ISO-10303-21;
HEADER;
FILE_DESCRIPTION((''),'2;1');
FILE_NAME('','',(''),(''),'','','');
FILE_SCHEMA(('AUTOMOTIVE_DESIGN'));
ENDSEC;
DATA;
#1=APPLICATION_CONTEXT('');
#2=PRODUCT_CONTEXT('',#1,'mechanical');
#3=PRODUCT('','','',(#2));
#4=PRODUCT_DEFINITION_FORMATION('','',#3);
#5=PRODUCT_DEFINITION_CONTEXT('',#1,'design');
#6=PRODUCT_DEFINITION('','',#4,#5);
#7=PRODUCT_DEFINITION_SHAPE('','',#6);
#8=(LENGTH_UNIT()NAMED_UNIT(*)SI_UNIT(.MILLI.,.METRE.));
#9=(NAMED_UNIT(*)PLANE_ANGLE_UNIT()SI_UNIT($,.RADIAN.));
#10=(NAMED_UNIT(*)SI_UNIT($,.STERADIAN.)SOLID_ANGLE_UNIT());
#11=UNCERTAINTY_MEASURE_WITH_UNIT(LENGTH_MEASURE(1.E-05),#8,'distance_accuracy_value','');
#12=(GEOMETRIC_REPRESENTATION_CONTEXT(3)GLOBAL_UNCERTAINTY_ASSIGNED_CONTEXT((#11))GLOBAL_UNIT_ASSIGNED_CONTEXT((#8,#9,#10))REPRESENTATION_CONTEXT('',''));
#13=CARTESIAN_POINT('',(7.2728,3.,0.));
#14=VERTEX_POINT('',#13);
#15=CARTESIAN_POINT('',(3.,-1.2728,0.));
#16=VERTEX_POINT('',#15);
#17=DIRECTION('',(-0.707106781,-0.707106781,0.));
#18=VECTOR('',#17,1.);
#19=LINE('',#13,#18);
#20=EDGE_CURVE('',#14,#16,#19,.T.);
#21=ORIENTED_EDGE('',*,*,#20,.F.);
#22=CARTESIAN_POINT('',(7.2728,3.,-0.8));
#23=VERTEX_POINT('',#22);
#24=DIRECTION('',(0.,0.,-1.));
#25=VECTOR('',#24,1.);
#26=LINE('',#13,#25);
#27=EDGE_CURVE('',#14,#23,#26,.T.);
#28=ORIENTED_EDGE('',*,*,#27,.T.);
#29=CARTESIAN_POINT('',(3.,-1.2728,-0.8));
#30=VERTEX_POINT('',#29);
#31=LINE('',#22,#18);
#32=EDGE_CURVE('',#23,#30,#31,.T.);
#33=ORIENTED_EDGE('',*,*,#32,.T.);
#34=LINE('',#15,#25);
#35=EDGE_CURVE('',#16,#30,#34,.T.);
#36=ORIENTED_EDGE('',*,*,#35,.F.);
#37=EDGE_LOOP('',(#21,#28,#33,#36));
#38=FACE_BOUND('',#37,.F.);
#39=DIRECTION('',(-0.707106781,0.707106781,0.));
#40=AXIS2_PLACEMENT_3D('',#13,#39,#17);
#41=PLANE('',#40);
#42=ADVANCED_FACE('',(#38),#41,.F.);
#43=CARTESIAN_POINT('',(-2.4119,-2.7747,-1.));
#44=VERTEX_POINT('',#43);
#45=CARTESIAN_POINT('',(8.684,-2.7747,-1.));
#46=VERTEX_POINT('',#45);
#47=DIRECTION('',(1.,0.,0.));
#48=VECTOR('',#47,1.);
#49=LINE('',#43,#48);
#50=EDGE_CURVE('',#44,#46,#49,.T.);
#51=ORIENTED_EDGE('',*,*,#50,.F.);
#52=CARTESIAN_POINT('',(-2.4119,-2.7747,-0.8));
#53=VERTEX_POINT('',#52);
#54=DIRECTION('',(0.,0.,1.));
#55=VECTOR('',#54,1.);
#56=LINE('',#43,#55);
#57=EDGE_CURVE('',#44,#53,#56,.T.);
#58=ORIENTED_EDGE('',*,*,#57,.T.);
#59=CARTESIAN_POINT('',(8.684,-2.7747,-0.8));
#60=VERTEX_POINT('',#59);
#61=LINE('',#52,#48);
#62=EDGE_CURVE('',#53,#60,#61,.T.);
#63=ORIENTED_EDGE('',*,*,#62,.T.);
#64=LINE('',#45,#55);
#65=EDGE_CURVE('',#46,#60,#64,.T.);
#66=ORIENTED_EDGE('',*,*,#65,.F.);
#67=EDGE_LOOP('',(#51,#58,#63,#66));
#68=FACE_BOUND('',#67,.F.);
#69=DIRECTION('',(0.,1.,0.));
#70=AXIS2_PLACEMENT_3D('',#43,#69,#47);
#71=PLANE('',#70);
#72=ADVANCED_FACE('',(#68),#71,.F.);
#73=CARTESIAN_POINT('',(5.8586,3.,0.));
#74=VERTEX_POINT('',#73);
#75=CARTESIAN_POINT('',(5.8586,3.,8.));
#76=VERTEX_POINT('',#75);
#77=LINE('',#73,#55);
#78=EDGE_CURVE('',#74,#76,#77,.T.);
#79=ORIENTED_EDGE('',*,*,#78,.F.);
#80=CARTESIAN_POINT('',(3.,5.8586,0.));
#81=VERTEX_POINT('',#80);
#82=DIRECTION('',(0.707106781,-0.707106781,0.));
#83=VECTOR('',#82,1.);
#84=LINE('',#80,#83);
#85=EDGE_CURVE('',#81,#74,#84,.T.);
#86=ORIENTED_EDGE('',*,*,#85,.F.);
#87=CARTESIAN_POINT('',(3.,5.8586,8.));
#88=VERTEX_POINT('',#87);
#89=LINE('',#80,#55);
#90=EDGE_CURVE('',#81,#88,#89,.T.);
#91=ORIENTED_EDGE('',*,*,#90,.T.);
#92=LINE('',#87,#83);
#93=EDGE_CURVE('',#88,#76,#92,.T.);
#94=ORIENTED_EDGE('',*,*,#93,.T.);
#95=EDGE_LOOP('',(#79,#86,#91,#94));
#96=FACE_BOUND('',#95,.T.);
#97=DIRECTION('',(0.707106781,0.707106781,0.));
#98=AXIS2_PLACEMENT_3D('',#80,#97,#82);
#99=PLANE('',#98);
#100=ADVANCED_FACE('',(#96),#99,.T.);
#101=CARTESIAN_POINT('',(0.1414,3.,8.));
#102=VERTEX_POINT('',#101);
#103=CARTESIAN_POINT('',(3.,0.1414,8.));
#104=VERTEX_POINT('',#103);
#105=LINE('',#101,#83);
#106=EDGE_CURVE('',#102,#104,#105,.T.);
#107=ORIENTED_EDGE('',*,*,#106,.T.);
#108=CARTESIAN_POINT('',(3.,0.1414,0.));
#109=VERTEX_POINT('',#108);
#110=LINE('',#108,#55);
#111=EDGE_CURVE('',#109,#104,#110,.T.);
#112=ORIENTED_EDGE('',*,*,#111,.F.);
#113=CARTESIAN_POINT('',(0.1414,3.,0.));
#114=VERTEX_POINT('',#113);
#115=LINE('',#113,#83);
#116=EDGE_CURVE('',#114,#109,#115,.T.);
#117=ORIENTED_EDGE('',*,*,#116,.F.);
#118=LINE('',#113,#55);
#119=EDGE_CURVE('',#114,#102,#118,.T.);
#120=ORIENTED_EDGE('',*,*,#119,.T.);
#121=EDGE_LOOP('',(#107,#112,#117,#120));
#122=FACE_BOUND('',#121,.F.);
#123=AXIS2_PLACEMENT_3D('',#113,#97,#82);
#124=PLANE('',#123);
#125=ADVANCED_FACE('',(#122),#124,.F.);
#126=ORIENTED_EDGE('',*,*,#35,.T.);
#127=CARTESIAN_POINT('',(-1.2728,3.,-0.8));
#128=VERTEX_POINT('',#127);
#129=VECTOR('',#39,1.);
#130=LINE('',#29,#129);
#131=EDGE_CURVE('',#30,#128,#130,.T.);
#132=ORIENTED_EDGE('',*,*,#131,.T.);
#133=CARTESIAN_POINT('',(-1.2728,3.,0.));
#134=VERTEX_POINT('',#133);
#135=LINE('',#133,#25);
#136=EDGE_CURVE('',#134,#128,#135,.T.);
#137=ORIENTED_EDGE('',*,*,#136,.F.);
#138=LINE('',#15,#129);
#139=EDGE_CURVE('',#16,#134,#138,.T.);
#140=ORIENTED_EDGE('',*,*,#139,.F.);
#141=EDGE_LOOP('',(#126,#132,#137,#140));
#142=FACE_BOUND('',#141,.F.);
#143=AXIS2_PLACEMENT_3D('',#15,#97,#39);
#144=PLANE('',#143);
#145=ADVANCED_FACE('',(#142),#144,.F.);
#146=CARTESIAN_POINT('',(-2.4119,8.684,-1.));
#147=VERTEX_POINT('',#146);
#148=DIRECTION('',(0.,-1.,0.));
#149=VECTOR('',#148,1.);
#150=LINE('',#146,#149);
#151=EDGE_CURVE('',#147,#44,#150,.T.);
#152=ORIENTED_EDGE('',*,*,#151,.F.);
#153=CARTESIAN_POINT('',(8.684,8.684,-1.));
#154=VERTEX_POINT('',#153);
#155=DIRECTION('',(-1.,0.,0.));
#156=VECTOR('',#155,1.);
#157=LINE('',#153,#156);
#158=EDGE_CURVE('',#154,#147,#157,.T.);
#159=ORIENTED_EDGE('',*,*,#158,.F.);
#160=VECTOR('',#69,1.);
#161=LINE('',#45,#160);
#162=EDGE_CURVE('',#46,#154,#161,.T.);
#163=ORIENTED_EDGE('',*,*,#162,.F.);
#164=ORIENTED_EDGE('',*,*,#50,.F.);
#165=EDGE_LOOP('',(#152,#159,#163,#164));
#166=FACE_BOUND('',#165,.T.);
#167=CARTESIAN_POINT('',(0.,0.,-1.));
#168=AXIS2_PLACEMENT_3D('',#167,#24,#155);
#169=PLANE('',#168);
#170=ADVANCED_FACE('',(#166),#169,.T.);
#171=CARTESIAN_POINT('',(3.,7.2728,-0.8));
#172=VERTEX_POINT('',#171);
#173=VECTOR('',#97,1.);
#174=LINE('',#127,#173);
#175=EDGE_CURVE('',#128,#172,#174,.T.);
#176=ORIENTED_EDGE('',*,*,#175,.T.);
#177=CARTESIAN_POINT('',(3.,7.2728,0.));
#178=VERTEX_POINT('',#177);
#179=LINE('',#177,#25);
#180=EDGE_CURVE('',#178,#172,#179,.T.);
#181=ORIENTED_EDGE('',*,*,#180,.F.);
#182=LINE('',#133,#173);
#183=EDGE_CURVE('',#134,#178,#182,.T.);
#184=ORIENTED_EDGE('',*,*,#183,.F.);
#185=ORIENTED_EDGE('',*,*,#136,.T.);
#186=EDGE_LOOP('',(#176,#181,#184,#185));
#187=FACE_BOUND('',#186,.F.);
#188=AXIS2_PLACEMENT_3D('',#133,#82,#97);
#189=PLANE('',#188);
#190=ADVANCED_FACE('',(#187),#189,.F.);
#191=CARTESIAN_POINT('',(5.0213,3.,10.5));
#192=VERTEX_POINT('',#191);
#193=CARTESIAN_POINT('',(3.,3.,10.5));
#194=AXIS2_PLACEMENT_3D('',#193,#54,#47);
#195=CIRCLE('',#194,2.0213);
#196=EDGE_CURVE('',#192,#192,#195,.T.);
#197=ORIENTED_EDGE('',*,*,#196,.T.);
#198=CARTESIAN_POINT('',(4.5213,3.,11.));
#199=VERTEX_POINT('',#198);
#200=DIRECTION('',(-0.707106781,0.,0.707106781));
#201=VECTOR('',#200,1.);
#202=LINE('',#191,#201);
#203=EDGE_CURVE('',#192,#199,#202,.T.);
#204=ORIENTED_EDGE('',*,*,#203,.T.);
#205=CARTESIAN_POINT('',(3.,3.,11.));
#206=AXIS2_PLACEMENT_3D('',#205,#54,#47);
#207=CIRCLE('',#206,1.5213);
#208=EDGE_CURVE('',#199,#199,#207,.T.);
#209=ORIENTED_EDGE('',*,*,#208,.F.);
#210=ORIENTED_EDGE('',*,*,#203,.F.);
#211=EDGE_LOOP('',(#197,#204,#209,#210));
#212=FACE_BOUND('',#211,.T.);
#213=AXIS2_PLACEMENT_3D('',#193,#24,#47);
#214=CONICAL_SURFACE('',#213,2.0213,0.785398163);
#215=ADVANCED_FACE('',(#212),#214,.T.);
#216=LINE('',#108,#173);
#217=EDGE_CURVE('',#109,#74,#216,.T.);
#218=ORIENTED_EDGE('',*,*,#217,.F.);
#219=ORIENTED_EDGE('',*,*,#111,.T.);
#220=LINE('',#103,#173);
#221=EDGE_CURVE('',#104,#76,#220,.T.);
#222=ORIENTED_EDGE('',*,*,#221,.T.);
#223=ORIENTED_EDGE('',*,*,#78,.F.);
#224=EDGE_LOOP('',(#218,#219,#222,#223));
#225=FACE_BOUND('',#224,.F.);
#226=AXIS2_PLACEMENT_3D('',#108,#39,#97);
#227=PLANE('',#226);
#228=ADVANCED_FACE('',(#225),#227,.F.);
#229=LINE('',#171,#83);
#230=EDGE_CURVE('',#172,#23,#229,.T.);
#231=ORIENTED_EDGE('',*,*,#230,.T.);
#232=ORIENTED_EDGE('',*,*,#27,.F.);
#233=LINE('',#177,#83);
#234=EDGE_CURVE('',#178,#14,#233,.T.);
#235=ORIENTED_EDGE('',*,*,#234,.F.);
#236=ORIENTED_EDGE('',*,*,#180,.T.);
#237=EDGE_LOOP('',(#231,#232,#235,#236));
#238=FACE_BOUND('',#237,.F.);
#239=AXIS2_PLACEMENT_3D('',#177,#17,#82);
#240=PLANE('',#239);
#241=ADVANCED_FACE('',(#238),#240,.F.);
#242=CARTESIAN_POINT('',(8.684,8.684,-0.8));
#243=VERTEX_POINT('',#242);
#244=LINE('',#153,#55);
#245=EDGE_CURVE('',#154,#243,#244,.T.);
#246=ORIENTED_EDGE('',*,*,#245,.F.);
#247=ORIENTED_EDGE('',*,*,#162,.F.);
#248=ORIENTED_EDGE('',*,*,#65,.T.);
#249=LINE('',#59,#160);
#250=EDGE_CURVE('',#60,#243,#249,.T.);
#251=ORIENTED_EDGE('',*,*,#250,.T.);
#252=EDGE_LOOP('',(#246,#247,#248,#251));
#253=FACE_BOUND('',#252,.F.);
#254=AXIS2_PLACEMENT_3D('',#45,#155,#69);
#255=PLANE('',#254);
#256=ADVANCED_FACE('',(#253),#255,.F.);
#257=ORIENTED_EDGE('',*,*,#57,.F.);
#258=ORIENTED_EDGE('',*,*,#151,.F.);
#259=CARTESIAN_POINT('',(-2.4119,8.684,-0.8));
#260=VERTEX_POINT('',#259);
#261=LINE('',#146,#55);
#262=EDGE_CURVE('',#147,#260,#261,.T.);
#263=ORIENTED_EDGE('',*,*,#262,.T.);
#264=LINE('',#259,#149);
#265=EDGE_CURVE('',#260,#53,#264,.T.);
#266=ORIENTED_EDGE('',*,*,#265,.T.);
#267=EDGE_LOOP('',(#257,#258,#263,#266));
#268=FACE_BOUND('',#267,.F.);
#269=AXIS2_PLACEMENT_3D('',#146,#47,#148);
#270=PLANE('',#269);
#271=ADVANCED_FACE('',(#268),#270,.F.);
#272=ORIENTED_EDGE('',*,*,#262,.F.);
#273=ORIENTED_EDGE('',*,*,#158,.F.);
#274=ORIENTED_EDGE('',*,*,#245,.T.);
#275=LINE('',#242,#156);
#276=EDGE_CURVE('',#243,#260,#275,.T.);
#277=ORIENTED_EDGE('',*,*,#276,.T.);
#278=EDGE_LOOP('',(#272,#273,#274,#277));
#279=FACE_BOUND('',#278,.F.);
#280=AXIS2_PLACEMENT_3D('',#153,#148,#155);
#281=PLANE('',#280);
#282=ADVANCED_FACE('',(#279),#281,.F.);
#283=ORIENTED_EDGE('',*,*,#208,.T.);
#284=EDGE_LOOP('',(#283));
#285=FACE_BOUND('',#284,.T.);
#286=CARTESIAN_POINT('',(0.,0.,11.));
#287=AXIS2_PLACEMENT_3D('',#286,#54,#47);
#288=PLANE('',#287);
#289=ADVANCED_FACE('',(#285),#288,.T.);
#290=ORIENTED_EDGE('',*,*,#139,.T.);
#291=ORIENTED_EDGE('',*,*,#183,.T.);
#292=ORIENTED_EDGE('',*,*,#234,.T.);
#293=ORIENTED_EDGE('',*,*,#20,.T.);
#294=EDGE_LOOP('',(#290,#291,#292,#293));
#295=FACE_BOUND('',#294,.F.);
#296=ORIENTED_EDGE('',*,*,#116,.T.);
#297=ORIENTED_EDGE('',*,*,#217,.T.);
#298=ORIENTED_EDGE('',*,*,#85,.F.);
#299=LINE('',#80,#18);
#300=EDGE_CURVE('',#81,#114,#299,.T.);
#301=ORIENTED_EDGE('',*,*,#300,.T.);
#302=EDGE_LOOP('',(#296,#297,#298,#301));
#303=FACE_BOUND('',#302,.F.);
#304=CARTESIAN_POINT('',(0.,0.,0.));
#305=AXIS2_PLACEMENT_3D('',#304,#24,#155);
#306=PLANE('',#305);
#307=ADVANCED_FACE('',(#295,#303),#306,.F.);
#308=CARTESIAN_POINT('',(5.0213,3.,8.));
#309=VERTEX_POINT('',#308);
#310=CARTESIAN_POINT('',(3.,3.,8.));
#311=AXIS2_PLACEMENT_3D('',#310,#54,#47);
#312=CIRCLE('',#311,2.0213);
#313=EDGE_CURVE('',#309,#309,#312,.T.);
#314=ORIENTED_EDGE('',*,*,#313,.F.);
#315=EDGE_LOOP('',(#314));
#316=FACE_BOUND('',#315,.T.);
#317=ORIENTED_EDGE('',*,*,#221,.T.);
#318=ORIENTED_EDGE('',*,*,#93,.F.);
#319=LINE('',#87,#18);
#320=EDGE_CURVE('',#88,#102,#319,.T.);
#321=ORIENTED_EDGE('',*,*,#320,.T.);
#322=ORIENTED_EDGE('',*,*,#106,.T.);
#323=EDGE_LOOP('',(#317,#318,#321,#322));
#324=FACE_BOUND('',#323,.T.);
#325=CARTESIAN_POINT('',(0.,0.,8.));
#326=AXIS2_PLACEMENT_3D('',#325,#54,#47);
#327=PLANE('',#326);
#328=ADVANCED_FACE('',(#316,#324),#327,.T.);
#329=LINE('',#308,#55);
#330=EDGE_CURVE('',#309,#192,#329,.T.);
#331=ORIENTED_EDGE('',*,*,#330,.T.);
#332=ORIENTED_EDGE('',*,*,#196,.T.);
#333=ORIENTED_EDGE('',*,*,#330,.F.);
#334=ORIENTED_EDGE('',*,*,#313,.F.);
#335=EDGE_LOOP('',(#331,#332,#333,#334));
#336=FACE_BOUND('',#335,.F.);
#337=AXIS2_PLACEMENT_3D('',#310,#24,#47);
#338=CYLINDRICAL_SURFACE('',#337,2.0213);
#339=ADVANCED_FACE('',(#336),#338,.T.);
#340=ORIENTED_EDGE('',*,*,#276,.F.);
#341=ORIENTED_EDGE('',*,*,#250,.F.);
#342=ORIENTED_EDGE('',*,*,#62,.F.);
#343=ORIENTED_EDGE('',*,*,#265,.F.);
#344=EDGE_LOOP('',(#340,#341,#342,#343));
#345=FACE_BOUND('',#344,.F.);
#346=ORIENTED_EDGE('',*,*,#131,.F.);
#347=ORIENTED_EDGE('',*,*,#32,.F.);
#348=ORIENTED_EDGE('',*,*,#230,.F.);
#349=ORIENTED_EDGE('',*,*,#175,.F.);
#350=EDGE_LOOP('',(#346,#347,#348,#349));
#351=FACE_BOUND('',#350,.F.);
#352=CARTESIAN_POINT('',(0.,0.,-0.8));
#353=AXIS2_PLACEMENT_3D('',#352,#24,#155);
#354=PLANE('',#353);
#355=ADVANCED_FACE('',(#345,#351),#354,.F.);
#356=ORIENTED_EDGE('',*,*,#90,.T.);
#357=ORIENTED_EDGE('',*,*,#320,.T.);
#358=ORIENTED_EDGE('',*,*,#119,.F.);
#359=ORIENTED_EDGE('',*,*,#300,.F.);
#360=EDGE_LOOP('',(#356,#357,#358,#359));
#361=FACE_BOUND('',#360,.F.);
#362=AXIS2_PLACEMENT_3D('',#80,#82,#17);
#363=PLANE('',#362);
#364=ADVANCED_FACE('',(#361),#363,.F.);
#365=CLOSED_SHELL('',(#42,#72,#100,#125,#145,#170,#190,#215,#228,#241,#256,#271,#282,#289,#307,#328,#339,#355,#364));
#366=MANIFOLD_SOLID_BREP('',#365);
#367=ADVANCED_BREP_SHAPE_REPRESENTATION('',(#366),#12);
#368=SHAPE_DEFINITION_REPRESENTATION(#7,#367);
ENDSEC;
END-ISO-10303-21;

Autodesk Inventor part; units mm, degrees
ref_plane "YZ Plane" through (0, 0, 0) normal (1, 0, 0) x (0, 1, 0)
ref_plane "XZ Plane" through (0, 0, 0) normal (0, 1, 0) x (-1, 0, 0)
ref_plane "XY Plane" through (0, 0, 0) normal (0, 0, 1) x (1, 0, 0)
sketch "Sketch3" plane through (0, 0, 0) normal (0, 0, 1) x (1, 0, 0)
  line L0 (0, 0) -> (6, 0) construction
  line L1 (6, 0) -> (6, 6) construction
  line L2 (6, 6) -> (0, 6) construction
  line L3 (0, 6) -> (0, 0) construction
  line L4 (0, 0) -> (6, 6) construction
  line L5 (0, 6) -> (6, 0) construction
  line L6 (3, 6) -> (3, 0) construction
  line L7 (6, 3) -> (0, 3) construction
  line L8 (3, 6) -> (6, 3) construction
  line L9 (6, 3) -> (3, 0) construction
  line L10 (3, 0) -> (0, 3) construction
  line L11 (0, 3) -> (3, 6) construction
  line L12 (3, 5.8586) -> (0.1414, 3)
  line L13 (0.1414, 3) -> (3, 0.1414)
  line L14 (3, 0.1414) -> (5.8586, 3)
  line L15 (3, 5.8586) -> (5.8586, 3)
  dimension "d9" = 6
  dimension "d10" = 6
  dimension "d11" = 0.1
  dimension "d12" = 0.1
extrude "Extrusion3" add sketch "Sketch3" along normal blind 8
sketch "Sketch4" plane through (0, 0, 8) normal (0, 0, 1) x (1, 0, 0)
  line L0 (0.1414, 3) -> (5.8586, 3) construction
  line L1 (3, 0.1414) -> (3, 5.8586) construction
  circle A0 centre (3, 3) radius 2.0213
  point P0 (0, 0)
extrude "Extrusion4" add sketch "Sketch4" along normal blind 3
chamfer "Chamfer2" distance 0.5 angle 45 1 edges at (0.9787, 3, 11)
sketch "Sketch5" plane through (0, 0, 0) normal (0, 0, -1) x (-1, 0, 0)
  line L0 (-3, 5.8586) -> (-0.1414, 3) projected
  line L1 (-5.8586, 3) -> (-3, 5.8586) projected
  line L2 (-3, 0.1414) -> (-5.8586, 3) projected
  line L3 (-0.1414, 3) -> (-3, 0.1414) projected
  line L4 (1.2728, 3) -> (-3, 7.2728)
  line L5 (-3, 7.2728) -> (-7.2728, 3)
  line L6 (-7.2728, 3) -> (-3, -1.2728)
  line L7 (-3, -1.2728) -> (1.2728, 3)
  point P0 (0, 0)
  dimension "d20" = 1
extrude "Extrusion5" add sketch "Sketch5" along normal blind 1 contours L0 L3 L2 L1 | L7 L6 L5 L4
sketch "Sketch6" plane through (0, 0, -1) normal (0, 0, -1) x (-1, 0, 0)
  line L0 (1.2728, 3) -> (-3, 7.2728) projected
  line L1 (-3, 7.2728) -> (-7.2728, 3) projected
  line L2 (-7.2728, 3) -> (-3, -1.2728) projected
  line L3 (-3, -1.2728) -> (1.2728, 3) projected
  line L4 (-8.684, 8.684) -> (2.4119, 8.684)
  line L5 (2.4119, 8.684) -> (2.4119, -2.7747)
  line L6 (2.4119, -2.7747) -> (-8.684, -2.7747)
  line L7 (-8.684, -2.7747) -> (-8.684, 8.684)
  point P0 (0, 0)
extrude "printing support" add sketch "Sketch6" against normal blind 0.2
equation "\"d12\" = d11"
properties part number "BUTTON"
